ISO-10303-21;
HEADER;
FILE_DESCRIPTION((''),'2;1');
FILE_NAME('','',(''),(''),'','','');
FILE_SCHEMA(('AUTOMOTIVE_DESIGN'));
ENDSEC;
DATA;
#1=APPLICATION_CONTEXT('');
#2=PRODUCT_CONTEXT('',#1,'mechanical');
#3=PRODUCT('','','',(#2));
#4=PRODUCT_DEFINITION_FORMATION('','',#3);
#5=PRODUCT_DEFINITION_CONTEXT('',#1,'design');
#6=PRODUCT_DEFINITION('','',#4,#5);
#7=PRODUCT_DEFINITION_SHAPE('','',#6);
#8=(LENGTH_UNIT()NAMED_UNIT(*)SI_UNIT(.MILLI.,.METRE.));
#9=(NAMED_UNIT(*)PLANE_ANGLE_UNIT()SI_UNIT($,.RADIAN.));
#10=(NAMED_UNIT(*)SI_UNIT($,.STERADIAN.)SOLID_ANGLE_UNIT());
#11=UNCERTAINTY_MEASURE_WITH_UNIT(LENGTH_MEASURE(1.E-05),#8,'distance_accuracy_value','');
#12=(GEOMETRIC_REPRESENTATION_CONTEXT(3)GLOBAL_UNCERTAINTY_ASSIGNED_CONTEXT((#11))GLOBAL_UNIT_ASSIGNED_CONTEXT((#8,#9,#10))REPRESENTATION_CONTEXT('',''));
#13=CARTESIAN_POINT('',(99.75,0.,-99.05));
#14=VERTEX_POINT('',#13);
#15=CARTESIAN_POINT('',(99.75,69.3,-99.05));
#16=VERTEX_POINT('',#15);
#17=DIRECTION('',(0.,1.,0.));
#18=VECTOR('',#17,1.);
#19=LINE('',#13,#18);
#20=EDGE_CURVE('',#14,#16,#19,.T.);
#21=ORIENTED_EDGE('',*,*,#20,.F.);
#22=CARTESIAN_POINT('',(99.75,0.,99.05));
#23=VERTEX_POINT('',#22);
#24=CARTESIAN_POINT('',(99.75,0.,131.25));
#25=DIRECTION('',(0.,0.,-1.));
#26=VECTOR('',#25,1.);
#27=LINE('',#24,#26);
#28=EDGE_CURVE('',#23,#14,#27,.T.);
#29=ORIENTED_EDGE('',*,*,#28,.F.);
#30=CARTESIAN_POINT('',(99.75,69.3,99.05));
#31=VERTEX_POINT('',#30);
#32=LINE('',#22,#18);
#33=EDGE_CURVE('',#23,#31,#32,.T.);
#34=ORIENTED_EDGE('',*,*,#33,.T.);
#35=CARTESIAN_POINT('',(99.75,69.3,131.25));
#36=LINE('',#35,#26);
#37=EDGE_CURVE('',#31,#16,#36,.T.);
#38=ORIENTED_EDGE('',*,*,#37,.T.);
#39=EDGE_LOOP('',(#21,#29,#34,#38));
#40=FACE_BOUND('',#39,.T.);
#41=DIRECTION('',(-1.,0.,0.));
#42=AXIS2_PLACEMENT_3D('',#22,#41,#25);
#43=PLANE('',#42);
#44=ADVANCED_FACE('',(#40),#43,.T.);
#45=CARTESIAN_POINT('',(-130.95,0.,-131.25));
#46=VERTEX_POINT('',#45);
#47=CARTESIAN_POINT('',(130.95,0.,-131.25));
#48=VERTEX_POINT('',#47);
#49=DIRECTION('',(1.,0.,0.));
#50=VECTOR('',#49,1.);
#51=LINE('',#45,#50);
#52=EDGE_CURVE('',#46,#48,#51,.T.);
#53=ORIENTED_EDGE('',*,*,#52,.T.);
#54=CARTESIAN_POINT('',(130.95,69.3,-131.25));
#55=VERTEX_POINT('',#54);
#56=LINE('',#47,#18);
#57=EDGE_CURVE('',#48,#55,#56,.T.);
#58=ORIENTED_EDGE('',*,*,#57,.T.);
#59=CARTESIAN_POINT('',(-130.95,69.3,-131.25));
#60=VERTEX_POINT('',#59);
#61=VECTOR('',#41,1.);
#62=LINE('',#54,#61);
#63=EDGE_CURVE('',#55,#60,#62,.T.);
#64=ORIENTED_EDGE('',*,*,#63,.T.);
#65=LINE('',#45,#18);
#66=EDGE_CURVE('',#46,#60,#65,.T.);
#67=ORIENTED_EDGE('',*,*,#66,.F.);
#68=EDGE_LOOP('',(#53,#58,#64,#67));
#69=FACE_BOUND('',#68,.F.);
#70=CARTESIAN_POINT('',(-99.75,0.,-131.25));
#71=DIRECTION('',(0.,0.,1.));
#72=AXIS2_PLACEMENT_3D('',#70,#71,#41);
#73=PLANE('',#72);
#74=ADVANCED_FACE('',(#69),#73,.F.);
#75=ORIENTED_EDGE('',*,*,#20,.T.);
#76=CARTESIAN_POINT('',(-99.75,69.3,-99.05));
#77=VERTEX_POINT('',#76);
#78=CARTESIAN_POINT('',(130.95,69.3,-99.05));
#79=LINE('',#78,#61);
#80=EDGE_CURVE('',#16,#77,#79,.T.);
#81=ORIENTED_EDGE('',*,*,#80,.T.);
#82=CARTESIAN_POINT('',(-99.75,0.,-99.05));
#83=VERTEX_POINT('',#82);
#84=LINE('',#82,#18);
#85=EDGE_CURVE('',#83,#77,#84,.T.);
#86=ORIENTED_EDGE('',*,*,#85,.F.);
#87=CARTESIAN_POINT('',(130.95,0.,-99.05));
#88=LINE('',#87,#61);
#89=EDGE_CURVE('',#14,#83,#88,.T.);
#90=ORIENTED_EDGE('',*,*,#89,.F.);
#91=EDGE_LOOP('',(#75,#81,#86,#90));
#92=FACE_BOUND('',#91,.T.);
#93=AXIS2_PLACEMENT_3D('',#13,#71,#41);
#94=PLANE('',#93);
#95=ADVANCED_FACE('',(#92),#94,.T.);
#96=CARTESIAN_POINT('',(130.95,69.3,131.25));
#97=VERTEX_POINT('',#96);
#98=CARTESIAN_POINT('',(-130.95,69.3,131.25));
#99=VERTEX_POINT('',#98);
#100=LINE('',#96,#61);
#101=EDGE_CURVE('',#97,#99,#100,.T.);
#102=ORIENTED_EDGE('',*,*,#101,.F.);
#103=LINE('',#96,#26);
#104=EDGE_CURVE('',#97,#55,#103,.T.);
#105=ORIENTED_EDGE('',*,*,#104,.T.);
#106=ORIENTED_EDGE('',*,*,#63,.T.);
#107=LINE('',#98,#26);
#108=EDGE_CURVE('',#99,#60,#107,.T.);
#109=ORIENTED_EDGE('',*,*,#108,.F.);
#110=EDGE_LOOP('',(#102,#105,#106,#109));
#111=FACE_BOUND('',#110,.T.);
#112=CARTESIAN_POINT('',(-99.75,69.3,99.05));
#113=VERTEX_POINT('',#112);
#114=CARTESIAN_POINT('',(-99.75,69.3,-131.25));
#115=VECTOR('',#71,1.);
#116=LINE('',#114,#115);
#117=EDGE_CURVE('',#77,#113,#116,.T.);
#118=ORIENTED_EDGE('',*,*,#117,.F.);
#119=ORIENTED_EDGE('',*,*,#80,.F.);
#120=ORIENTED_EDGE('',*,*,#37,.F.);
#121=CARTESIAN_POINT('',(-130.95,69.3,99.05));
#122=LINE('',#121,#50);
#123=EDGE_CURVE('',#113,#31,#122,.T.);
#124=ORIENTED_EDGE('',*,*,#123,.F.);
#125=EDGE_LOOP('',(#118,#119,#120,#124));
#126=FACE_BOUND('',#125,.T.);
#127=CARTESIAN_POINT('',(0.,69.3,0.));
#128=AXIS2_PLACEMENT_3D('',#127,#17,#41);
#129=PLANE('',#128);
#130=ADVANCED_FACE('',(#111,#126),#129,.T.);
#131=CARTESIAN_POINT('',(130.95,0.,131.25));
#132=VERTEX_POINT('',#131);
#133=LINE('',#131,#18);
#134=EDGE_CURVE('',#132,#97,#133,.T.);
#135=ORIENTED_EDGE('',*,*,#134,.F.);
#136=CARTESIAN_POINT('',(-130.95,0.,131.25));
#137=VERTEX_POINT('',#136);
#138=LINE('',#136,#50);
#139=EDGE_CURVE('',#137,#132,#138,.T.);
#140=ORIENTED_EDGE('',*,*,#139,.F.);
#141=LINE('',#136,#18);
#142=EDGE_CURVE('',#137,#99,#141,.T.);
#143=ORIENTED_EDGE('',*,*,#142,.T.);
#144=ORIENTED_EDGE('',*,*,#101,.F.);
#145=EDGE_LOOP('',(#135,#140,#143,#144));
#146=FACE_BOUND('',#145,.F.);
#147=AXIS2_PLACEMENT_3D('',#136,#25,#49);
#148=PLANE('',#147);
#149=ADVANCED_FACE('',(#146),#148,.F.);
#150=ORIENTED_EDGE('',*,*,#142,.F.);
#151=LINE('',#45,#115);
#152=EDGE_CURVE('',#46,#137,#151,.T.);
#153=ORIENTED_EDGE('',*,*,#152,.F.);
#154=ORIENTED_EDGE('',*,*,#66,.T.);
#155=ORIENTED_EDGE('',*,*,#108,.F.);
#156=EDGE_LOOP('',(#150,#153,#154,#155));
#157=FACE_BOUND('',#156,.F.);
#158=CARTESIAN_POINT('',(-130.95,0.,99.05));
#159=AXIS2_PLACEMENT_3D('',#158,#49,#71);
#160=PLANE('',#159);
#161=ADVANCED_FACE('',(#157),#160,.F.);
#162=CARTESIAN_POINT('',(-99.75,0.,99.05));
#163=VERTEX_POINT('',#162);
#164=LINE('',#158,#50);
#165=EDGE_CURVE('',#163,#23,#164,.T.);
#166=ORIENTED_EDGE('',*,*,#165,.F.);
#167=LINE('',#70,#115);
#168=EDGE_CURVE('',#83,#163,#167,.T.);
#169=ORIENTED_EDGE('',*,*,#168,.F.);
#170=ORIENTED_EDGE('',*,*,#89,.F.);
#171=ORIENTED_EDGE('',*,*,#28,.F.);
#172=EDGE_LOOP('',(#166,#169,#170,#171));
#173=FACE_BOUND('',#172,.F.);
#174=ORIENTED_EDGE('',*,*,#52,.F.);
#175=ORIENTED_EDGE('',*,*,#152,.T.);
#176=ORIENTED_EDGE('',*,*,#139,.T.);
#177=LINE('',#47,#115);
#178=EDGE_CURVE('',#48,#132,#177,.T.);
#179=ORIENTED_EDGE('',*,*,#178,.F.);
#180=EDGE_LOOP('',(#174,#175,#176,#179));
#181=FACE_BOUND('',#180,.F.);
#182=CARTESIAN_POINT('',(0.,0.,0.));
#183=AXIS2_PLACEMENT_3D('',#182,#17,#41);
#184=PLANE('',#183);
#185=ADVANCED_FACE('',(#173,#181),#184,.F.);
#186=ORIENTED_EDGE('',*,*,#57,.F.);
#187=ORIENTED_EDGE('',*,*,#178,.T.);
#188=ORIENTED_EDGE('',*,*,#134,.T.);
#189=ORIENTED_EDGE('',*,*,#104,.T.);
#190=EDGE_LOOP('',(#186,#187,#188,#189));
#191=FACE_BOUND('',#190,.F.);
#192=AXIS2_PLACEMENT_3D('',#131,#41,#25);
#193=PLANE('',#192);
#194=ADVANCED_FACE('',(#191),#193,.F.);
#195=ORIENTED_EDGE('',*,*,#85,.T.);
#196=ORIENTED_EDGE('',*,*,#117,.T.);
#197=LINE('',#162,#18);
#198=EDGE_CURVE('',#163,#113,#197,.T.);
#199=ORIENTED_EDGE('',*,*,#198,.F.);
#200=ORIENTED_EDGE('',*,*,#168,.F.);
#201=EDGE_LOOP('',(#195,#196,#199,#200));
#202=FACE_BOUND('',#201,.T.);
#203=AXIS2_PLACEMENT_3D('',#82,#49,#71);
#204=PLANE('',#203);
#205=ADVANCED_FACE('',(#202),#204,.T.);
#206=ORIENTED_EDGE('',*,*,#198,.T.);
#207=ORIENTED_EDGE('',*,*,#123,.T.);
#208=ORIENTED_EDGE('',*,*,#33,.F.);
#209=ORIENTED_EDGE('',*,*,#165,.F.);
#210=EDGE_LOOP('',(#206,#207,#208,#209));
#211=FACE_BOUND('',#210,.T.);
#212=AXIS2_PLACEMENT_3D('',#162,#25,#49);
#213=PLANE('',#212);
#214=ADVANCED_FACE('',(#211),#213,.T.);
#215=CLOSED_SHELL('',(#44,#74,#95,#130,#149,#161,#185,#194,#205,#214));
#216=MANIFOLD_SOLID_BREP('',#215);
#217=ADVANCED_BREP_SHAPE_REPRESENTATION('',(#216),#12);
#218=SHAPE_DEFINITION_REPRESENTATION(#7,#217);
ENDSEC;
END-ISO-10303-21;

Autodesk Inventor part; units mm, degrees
ref_plane "YZ Plane" through (0, 0, 0) normal (1, 0, 0) x (0, 1, 0)
ref_plane "XZ Plane" through (0, 0, 0) normal (0, 1, 0) x (-1, 0, 0)
ref_plane "XY Plane" through (0, 0, 0) normal (0, 0, 1) x (1, 0, 0)
sketch "Esboço1" plane through (0, 0, 0) normal (0, 1, 0) x (-1, 0, 0)
  line L0 (130.95, 131.25) -> (-130.95, 131.25)
  line L1 (-130.95, 131.25) -> (-130.95, -131.25)
  line L2 (-130.95, -131.25) -> (130.95, -131.25)
  line L3 (130.95, -131.25) -> (130.95, 131.25)
  line L4 (130.95, 131.25) -> (-130.95, -131.25) construction
  line L5 (-130.95, 131.25) -> (130.95, -131.25) construction
  line L6 (130.95, 99.05) -> (-130.95, 99.05)
  line L7 (-130.95, -99.05) -> (130.95, -99.05)
  line L8 (-99.75, 131.25) -> (-99.75, -131.25)
  line L9 (99.75, -131.25) -> (99.75, 131.25)
  point P0 (0, 0)
  point P1 (99.75, -99.05)
  point P2 (99.75, 99.05)
  point P3 (-99.75, 99.05)
  point P4 (-99.75, -99.05)
  dimension "d0" = 261.9
  dimension "d1" = 262.5
  dimension "d2" = 32.2
  dimension "d3" = 32.2
  dimension "d4" = 31.2
  dimension "d5" = 31.2
extrude "Extrusão1" add sketch "Esboço1" along normal blind 69.3
extrude "Extrusão2" cut sketch "Esboço1" along normal blind 69.3 contours L9 L7 L8 L6
properties part number "NinhoColmeia"
